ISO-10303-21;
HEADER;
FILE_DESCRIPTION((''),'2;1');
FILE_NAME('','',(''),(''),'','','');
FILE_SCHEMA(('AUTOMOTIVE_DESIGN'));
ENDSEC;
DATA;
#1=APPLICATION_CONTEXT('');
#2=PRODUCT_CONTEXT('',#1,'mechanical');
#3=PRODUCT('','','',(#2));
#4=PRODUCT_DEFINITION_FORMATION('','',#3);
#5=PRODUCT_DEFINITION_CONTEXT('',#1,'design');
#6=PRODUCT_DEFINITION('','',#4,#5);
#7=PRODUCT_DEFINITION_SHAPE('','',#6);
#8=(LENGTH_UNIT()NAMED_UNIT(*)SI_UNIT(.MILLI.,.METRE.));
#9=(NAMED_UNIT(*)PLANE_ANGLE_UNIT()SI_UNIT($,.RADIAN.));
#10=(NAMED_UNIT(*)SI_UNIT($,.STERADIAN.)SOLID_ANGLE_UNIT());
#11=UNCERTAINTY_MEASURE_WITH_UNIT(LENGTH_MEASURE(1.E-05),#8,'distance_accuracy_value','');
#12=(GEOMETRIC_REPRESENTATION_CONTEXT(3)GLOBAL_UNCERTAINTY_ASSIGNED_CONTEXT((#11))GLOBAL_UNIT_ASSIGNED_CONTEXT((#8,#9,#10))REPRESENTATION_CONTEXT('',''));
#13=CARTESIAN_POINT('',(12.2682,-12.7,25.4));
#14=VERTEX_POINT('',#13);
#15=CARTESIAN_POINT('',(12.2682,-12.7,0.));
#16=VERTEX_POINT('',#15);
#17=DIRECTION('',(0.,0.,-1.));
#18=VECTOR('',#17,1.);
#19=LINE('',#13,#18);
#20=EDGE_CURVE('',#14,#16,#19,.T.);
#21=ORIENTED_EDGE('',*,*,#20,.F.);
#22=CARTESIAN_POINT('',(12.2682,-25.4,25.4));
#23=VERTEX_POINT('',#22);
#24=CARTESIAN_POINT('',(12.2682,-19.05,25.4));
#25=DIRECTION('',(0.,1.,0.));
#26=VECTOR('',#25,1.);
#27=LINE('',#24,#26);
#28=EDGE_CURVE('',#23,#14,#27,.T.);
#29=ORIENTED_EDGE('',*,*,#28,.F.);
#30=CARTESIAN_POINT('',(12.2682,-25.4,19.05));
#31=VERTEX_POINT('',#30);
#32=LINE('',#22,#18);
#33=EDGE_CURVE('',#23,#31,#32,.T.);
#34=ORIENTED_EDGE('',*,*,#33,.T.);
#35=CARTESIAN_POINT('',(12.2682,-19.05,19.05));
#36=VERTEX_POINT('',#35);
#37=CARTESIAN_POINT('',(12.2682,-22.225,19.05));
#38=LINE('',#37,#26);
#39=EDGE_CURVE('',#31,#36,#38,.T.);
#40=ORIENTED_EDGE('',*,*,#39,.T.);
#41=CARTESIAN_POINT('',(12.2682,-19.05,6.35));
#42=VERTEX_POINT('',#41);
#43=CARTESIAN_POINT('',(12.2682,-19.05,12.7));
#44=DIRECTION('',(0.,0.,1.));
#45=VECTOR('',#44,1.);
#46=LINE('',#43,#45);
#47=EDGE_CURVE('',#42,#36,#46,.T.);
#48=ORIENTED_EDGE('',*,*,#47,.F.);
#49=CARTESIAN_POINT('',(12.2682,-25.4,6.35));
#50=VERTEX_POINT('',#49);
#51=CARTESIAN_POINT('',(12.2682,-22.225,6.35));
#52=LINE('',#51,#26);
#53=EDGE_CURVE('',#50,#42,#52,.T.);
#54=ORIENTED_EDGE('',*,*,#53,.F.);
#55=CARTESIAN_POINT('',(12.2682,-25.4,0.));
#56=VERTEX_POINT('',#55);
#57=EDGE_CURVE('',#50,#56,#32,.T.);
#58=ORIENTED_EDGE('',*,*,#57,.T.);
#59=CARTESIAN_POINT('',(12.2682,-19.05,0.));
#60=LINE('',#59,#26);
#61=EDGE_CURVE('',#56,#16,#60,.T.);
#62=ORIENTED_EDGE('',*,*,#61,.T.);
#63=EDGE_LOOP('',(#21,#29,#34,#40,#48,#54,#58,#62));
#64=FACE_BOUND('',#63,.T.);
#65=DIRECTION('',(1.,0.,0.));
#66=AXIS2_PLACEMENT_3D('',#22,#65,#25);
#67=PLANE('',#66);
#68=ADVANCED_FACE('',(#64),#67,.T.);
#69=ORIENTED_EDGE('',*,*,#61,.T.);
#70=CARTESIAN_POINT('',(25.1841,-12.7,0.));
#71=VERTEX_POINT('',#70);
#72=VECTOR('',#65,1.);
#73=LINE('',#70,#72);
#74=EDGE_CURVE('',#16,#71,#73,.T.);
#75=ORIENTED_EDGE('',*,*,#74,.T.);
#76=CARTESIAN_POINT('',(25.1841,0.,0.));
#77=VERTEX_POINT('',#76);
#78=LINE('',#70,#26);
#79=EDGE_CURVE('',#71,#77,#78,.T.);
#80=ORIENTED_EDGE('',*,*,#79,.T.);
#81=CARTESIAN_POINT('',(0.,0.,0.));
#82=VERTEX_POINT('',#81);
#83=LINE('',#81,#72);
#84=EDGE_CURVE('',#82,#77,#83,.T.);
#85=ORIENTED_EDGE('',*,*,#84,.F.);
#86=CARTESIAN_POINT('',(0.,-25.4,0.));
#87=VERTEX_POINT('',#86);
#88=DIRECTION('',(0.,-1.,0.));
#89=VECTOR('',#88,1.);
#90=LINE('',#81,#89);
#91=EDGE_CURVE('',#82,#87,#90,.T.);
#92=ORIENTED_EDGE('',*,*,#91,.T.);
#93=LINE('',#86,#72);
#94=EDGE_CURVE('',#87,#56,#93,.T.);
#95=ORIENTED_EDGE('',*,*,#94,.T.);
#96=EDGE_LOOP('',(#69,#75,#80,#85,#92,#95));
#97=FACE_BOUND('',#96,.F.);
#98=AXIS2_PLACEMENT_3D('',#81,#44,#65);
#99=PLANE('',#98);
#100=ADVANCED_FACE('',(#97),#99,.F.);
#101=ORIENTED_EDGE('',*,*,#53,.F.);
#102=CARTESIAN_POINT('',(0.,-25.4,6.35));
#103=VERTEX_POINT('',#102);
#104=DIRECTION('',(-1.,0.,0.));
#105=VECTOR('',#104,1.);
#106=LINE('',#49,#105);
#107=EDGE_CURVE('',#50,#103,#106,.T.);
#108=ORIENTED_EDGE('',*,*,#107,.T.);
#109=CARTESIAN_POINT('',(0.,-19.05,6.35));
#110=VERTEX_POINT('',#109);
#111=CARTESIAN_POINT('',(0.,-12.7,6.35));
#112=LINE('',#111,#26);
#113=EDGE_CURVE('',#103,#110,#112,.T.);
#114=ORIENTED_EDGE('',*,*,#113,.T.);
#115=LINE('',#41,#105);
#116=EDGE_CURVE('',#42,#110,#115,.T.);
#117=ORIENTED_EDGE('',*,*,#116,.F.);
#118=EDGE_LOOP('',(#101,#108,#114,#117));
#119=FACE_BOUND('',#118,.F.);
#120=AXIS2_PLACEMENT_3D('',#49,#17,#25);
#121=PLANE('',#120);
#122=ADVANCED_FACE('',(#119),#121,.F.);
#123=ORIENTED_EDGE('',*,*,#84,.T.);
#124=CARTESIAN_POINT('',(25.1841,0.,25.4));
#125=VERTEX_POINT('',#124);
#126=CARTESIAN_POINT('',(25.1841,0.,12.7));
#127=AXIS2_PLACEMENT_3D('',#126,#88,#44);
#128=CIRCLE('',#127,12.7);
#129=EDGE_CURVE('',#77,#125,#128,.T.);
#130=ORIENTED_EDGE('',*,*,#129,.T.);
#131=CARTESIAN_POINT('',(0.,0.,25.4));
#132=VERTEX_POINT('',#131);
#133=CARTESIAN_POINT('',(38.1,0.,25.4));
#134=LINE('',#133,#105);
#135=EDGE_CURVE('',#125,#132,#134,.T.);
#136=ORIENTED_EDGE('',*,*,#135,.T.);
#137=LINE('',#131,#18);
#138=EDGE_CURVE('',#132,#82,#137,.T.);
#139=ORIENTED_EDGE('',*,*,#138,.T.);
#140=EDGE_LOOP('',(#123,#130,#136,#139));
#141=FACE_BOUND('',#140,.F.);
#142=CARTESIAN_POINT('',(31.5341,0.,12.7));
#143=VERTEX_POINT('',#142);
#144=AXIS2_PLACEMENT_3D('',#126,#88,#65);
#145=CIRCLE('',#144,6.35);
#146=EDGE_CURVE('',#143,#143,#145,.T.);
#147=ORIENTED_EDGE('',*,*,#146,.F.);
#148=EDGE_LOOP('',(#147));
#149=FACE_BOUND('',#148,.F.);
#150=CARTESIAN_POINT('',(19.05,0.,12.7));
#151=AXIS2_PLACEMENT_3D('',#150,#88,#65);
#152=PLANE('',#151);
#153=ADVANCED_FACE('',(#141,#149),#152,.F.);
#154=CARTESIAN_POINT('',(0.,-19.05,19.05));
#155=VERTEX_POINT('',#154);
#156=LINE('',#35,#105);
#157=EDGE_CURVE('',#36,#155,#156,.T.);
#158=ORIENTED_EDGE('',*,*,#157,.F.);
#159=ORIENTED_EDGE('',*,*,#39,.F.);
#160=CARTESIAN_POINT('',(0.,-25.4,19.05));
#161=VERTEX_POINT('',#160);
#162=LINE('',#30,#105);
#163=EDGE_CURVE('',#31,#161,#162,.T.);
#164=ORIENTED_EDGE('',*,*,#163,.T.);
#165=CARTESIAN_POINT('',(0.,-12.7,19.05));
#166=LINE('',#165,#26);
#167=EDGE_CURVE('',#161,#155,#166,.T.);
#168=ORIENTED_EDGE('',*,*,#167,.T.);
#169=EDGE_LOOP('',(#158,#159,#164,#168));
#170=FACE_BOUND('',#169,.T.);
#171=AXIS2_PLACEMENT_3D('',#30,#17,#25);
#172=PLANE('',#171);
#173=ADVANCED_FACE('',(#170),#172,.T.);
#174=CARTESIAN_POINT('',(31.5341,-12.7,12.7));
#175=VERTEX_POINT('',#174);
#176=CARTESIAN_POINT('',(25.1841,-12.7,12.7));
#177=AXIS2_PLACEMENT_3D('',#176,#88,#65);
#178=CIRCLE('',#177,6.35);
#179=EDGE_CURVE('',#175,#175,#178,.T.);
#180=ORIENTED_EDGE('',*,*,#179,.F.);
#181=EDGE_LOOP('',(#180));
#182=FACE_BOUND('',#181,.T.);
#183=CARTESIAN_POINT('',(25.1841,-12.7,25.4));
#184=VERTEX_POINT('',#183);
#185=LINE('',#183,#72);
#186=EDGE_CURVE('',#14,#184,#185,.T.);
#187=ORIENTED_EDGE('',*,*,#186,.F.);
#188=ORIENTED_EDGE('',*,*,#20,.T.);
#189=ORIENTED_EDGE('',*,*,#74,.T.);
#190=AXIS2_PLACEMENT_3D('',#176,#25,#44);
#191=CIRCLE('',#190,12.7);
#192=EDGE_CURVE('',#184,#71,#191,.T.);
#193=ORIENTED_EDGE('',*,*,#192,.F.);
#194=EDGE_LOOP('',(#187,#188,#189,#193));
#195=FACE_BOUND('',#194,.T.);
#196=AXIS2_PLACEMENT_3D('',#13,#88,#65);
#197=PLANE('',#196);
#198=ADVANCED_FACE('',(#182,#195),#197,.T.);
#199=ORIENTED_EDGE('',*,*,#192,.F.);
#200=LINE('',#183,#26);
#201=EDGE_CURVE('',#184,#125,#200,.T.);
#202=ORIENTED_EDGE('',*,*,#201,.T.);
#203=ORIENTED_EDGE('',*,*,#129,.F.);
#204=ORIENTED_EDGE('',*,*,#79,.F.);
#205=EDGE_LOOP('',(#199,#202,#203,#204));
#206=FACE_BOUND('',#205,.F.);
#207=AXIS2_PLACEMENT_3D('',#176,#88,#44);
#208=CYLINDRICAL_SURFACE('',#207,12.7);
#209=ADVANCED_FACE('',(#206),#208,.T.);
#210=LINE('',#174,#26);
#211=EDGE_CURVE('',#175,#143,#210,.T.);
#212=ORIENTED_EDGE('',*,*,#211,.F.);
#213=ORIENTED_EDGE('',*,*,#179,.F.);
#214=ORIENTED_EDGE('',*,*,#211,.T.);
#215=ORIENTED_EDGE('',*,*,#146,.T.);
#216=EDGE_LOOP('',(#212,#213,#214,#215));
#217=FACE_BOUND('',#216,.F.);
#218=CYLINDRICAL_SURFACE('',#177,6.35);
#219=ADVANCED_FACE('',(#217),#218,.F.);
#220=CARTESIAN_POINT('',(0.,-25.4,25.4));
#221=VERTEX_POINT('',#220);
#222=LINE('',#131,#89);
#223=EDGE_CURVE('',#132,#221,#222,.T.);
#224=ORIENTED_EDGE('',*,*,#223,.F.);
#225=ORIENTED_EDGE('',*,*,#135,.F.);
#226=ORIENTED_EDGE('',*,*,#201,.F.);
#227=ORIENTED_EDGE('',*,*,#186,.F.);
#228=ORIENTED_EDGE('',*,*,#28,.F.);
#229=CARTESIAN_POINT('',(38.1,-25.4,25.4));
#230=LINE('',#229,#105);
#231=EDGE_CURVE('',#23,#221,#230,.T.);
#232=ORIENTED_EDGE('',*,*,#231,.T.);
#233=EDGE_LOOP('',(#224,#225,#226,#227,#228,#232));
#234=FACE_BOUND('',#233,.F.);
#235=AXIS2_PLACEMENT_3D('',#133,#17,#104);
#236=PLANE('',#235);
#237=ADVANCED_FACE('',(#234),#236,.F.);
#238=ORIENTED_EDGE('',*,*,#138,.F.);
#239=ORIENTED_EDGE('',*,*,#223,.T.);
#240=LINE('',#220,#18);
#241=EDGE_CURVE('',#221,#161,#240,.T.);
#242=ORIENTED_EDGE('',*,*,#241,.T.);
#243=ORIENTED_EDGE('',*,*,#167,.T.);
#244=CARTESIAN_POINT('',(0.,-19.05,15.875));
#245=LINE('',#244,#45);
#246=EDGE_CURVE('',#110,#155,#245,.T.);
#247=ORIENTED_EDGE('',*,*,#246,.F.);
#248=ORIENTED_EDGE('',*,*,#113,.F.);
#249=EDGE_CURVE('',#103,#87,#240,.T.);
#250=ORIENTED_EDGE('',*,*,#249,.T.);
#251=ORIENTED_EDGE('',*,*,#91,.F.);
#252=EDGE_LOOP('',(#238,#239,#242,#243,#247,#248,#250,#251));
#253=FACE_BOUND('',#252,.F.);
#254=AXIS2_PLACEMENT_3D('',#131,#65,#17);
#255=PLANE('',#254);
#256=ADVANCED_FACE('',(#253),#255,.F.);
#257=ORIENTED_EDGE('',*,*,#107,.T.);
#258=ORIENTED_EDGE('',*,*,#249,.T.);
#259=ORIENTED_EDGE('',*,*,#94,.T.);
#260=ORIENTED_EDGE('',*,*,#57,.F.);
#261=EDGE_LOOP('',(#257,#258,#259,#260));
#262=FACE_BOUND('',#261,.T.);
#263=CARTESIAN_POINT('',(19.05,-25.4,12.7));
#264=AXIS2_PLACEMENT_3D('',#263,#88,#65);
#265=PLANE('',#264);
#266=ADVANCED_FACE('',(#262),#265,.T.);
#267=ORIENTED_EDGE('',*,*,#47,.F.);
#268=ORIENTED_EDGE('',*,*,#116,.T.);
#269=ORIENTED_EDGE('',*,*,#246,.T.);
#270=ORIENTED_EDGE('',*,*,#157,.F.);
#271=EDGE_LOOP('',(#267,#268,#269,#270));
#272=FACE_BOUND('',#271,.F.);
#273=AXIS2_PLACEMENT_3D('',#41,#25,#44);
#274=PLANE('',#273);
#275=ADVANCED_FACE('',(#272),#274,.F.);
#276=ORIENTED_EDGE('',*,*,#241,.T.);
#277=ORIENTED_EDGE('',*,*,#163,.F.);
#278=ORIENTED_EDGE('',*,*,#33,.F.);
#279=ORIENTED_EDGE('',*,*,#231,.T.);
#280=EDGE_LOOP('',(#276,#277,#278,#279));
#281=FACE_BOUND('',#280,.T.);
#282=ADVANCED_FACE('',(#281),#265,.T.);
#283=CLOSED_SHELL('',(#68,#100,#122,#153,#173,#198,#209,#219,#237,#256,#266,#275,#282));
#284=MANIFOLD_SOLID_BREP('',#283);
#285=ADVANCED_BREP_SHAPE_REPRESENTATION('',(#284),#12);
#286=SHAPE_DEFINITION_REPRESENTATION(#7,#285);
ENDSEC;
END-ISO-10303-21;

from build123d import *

# Parameters (mm, degrees)
F1_DEPTH = 25.4
F2_W     = 25.8318
F2_H     = 12.7
F3_DEPTH = 25.4
F5_DEPTH = 25.4
F6_W     = 6.35
F6_H     = 12.7
F7_DEPTH = 25.4
F8_R     = 6.35
F9_DEPTH = 25.4


with BuildPart() as f1:
    # F0 (on Front) → F1 (new body)
    with BuildSketch(Plane.XZ):
        Polygon((0, 25.4), (0, 0), (38.1, 0), (38.1, 25.4), (12.7, 25.4), align=None)
    extrude(amount=F1_DEPTH)

    # F2 (on face) → F3 (cut)
    with BuildSketch(Plane.XY.offset(25.4)):
        with Locations((25.1841, -19.05)):
            Rectangle(F2_W, F2_H)
    extrude(amount=-F3_DEPTH, mode=Mode.SUBTRACT)

    # F4 (on face) → F5 (cut)
    with BuildSketch(Plane.XZ.offset(12.7)):
        with BuildLine():
            Line((38.1, 25.4), (25.1841, 25.4))
            ThreePointArc((25.1841, 25.4), (37.8841, 12.7), (25.1841, 0))
            Line((25.1841, 0), (38.1, 0))
            Line((38.1, 0), (38.1, 25.4))
        make_face()
    extrude(amount=-F5_DEPTH, mode=Mode.SUBTRACT)

    # F6 (on face) → F7 (cut)
    with BuildSketch(Plane.YZ.offset(12.2682)):
        with Locations((-22.225, 12.7)):
            Rectangle(F6_W, F6_H)
    extrude(amount=-F7_DEPTH, mode=Mode.SUBTRACT)

    # F8 (on face) → F9 (cut)
    with BuildSketch(Plane.XZ.offset(12.7)):
        with Locations((25.1841, 12.7)):
            Circle(F8_R)
    extrude(amount=-F9_DEPTH, mode=Mode.SUBTRACT)


solid = f1.part
